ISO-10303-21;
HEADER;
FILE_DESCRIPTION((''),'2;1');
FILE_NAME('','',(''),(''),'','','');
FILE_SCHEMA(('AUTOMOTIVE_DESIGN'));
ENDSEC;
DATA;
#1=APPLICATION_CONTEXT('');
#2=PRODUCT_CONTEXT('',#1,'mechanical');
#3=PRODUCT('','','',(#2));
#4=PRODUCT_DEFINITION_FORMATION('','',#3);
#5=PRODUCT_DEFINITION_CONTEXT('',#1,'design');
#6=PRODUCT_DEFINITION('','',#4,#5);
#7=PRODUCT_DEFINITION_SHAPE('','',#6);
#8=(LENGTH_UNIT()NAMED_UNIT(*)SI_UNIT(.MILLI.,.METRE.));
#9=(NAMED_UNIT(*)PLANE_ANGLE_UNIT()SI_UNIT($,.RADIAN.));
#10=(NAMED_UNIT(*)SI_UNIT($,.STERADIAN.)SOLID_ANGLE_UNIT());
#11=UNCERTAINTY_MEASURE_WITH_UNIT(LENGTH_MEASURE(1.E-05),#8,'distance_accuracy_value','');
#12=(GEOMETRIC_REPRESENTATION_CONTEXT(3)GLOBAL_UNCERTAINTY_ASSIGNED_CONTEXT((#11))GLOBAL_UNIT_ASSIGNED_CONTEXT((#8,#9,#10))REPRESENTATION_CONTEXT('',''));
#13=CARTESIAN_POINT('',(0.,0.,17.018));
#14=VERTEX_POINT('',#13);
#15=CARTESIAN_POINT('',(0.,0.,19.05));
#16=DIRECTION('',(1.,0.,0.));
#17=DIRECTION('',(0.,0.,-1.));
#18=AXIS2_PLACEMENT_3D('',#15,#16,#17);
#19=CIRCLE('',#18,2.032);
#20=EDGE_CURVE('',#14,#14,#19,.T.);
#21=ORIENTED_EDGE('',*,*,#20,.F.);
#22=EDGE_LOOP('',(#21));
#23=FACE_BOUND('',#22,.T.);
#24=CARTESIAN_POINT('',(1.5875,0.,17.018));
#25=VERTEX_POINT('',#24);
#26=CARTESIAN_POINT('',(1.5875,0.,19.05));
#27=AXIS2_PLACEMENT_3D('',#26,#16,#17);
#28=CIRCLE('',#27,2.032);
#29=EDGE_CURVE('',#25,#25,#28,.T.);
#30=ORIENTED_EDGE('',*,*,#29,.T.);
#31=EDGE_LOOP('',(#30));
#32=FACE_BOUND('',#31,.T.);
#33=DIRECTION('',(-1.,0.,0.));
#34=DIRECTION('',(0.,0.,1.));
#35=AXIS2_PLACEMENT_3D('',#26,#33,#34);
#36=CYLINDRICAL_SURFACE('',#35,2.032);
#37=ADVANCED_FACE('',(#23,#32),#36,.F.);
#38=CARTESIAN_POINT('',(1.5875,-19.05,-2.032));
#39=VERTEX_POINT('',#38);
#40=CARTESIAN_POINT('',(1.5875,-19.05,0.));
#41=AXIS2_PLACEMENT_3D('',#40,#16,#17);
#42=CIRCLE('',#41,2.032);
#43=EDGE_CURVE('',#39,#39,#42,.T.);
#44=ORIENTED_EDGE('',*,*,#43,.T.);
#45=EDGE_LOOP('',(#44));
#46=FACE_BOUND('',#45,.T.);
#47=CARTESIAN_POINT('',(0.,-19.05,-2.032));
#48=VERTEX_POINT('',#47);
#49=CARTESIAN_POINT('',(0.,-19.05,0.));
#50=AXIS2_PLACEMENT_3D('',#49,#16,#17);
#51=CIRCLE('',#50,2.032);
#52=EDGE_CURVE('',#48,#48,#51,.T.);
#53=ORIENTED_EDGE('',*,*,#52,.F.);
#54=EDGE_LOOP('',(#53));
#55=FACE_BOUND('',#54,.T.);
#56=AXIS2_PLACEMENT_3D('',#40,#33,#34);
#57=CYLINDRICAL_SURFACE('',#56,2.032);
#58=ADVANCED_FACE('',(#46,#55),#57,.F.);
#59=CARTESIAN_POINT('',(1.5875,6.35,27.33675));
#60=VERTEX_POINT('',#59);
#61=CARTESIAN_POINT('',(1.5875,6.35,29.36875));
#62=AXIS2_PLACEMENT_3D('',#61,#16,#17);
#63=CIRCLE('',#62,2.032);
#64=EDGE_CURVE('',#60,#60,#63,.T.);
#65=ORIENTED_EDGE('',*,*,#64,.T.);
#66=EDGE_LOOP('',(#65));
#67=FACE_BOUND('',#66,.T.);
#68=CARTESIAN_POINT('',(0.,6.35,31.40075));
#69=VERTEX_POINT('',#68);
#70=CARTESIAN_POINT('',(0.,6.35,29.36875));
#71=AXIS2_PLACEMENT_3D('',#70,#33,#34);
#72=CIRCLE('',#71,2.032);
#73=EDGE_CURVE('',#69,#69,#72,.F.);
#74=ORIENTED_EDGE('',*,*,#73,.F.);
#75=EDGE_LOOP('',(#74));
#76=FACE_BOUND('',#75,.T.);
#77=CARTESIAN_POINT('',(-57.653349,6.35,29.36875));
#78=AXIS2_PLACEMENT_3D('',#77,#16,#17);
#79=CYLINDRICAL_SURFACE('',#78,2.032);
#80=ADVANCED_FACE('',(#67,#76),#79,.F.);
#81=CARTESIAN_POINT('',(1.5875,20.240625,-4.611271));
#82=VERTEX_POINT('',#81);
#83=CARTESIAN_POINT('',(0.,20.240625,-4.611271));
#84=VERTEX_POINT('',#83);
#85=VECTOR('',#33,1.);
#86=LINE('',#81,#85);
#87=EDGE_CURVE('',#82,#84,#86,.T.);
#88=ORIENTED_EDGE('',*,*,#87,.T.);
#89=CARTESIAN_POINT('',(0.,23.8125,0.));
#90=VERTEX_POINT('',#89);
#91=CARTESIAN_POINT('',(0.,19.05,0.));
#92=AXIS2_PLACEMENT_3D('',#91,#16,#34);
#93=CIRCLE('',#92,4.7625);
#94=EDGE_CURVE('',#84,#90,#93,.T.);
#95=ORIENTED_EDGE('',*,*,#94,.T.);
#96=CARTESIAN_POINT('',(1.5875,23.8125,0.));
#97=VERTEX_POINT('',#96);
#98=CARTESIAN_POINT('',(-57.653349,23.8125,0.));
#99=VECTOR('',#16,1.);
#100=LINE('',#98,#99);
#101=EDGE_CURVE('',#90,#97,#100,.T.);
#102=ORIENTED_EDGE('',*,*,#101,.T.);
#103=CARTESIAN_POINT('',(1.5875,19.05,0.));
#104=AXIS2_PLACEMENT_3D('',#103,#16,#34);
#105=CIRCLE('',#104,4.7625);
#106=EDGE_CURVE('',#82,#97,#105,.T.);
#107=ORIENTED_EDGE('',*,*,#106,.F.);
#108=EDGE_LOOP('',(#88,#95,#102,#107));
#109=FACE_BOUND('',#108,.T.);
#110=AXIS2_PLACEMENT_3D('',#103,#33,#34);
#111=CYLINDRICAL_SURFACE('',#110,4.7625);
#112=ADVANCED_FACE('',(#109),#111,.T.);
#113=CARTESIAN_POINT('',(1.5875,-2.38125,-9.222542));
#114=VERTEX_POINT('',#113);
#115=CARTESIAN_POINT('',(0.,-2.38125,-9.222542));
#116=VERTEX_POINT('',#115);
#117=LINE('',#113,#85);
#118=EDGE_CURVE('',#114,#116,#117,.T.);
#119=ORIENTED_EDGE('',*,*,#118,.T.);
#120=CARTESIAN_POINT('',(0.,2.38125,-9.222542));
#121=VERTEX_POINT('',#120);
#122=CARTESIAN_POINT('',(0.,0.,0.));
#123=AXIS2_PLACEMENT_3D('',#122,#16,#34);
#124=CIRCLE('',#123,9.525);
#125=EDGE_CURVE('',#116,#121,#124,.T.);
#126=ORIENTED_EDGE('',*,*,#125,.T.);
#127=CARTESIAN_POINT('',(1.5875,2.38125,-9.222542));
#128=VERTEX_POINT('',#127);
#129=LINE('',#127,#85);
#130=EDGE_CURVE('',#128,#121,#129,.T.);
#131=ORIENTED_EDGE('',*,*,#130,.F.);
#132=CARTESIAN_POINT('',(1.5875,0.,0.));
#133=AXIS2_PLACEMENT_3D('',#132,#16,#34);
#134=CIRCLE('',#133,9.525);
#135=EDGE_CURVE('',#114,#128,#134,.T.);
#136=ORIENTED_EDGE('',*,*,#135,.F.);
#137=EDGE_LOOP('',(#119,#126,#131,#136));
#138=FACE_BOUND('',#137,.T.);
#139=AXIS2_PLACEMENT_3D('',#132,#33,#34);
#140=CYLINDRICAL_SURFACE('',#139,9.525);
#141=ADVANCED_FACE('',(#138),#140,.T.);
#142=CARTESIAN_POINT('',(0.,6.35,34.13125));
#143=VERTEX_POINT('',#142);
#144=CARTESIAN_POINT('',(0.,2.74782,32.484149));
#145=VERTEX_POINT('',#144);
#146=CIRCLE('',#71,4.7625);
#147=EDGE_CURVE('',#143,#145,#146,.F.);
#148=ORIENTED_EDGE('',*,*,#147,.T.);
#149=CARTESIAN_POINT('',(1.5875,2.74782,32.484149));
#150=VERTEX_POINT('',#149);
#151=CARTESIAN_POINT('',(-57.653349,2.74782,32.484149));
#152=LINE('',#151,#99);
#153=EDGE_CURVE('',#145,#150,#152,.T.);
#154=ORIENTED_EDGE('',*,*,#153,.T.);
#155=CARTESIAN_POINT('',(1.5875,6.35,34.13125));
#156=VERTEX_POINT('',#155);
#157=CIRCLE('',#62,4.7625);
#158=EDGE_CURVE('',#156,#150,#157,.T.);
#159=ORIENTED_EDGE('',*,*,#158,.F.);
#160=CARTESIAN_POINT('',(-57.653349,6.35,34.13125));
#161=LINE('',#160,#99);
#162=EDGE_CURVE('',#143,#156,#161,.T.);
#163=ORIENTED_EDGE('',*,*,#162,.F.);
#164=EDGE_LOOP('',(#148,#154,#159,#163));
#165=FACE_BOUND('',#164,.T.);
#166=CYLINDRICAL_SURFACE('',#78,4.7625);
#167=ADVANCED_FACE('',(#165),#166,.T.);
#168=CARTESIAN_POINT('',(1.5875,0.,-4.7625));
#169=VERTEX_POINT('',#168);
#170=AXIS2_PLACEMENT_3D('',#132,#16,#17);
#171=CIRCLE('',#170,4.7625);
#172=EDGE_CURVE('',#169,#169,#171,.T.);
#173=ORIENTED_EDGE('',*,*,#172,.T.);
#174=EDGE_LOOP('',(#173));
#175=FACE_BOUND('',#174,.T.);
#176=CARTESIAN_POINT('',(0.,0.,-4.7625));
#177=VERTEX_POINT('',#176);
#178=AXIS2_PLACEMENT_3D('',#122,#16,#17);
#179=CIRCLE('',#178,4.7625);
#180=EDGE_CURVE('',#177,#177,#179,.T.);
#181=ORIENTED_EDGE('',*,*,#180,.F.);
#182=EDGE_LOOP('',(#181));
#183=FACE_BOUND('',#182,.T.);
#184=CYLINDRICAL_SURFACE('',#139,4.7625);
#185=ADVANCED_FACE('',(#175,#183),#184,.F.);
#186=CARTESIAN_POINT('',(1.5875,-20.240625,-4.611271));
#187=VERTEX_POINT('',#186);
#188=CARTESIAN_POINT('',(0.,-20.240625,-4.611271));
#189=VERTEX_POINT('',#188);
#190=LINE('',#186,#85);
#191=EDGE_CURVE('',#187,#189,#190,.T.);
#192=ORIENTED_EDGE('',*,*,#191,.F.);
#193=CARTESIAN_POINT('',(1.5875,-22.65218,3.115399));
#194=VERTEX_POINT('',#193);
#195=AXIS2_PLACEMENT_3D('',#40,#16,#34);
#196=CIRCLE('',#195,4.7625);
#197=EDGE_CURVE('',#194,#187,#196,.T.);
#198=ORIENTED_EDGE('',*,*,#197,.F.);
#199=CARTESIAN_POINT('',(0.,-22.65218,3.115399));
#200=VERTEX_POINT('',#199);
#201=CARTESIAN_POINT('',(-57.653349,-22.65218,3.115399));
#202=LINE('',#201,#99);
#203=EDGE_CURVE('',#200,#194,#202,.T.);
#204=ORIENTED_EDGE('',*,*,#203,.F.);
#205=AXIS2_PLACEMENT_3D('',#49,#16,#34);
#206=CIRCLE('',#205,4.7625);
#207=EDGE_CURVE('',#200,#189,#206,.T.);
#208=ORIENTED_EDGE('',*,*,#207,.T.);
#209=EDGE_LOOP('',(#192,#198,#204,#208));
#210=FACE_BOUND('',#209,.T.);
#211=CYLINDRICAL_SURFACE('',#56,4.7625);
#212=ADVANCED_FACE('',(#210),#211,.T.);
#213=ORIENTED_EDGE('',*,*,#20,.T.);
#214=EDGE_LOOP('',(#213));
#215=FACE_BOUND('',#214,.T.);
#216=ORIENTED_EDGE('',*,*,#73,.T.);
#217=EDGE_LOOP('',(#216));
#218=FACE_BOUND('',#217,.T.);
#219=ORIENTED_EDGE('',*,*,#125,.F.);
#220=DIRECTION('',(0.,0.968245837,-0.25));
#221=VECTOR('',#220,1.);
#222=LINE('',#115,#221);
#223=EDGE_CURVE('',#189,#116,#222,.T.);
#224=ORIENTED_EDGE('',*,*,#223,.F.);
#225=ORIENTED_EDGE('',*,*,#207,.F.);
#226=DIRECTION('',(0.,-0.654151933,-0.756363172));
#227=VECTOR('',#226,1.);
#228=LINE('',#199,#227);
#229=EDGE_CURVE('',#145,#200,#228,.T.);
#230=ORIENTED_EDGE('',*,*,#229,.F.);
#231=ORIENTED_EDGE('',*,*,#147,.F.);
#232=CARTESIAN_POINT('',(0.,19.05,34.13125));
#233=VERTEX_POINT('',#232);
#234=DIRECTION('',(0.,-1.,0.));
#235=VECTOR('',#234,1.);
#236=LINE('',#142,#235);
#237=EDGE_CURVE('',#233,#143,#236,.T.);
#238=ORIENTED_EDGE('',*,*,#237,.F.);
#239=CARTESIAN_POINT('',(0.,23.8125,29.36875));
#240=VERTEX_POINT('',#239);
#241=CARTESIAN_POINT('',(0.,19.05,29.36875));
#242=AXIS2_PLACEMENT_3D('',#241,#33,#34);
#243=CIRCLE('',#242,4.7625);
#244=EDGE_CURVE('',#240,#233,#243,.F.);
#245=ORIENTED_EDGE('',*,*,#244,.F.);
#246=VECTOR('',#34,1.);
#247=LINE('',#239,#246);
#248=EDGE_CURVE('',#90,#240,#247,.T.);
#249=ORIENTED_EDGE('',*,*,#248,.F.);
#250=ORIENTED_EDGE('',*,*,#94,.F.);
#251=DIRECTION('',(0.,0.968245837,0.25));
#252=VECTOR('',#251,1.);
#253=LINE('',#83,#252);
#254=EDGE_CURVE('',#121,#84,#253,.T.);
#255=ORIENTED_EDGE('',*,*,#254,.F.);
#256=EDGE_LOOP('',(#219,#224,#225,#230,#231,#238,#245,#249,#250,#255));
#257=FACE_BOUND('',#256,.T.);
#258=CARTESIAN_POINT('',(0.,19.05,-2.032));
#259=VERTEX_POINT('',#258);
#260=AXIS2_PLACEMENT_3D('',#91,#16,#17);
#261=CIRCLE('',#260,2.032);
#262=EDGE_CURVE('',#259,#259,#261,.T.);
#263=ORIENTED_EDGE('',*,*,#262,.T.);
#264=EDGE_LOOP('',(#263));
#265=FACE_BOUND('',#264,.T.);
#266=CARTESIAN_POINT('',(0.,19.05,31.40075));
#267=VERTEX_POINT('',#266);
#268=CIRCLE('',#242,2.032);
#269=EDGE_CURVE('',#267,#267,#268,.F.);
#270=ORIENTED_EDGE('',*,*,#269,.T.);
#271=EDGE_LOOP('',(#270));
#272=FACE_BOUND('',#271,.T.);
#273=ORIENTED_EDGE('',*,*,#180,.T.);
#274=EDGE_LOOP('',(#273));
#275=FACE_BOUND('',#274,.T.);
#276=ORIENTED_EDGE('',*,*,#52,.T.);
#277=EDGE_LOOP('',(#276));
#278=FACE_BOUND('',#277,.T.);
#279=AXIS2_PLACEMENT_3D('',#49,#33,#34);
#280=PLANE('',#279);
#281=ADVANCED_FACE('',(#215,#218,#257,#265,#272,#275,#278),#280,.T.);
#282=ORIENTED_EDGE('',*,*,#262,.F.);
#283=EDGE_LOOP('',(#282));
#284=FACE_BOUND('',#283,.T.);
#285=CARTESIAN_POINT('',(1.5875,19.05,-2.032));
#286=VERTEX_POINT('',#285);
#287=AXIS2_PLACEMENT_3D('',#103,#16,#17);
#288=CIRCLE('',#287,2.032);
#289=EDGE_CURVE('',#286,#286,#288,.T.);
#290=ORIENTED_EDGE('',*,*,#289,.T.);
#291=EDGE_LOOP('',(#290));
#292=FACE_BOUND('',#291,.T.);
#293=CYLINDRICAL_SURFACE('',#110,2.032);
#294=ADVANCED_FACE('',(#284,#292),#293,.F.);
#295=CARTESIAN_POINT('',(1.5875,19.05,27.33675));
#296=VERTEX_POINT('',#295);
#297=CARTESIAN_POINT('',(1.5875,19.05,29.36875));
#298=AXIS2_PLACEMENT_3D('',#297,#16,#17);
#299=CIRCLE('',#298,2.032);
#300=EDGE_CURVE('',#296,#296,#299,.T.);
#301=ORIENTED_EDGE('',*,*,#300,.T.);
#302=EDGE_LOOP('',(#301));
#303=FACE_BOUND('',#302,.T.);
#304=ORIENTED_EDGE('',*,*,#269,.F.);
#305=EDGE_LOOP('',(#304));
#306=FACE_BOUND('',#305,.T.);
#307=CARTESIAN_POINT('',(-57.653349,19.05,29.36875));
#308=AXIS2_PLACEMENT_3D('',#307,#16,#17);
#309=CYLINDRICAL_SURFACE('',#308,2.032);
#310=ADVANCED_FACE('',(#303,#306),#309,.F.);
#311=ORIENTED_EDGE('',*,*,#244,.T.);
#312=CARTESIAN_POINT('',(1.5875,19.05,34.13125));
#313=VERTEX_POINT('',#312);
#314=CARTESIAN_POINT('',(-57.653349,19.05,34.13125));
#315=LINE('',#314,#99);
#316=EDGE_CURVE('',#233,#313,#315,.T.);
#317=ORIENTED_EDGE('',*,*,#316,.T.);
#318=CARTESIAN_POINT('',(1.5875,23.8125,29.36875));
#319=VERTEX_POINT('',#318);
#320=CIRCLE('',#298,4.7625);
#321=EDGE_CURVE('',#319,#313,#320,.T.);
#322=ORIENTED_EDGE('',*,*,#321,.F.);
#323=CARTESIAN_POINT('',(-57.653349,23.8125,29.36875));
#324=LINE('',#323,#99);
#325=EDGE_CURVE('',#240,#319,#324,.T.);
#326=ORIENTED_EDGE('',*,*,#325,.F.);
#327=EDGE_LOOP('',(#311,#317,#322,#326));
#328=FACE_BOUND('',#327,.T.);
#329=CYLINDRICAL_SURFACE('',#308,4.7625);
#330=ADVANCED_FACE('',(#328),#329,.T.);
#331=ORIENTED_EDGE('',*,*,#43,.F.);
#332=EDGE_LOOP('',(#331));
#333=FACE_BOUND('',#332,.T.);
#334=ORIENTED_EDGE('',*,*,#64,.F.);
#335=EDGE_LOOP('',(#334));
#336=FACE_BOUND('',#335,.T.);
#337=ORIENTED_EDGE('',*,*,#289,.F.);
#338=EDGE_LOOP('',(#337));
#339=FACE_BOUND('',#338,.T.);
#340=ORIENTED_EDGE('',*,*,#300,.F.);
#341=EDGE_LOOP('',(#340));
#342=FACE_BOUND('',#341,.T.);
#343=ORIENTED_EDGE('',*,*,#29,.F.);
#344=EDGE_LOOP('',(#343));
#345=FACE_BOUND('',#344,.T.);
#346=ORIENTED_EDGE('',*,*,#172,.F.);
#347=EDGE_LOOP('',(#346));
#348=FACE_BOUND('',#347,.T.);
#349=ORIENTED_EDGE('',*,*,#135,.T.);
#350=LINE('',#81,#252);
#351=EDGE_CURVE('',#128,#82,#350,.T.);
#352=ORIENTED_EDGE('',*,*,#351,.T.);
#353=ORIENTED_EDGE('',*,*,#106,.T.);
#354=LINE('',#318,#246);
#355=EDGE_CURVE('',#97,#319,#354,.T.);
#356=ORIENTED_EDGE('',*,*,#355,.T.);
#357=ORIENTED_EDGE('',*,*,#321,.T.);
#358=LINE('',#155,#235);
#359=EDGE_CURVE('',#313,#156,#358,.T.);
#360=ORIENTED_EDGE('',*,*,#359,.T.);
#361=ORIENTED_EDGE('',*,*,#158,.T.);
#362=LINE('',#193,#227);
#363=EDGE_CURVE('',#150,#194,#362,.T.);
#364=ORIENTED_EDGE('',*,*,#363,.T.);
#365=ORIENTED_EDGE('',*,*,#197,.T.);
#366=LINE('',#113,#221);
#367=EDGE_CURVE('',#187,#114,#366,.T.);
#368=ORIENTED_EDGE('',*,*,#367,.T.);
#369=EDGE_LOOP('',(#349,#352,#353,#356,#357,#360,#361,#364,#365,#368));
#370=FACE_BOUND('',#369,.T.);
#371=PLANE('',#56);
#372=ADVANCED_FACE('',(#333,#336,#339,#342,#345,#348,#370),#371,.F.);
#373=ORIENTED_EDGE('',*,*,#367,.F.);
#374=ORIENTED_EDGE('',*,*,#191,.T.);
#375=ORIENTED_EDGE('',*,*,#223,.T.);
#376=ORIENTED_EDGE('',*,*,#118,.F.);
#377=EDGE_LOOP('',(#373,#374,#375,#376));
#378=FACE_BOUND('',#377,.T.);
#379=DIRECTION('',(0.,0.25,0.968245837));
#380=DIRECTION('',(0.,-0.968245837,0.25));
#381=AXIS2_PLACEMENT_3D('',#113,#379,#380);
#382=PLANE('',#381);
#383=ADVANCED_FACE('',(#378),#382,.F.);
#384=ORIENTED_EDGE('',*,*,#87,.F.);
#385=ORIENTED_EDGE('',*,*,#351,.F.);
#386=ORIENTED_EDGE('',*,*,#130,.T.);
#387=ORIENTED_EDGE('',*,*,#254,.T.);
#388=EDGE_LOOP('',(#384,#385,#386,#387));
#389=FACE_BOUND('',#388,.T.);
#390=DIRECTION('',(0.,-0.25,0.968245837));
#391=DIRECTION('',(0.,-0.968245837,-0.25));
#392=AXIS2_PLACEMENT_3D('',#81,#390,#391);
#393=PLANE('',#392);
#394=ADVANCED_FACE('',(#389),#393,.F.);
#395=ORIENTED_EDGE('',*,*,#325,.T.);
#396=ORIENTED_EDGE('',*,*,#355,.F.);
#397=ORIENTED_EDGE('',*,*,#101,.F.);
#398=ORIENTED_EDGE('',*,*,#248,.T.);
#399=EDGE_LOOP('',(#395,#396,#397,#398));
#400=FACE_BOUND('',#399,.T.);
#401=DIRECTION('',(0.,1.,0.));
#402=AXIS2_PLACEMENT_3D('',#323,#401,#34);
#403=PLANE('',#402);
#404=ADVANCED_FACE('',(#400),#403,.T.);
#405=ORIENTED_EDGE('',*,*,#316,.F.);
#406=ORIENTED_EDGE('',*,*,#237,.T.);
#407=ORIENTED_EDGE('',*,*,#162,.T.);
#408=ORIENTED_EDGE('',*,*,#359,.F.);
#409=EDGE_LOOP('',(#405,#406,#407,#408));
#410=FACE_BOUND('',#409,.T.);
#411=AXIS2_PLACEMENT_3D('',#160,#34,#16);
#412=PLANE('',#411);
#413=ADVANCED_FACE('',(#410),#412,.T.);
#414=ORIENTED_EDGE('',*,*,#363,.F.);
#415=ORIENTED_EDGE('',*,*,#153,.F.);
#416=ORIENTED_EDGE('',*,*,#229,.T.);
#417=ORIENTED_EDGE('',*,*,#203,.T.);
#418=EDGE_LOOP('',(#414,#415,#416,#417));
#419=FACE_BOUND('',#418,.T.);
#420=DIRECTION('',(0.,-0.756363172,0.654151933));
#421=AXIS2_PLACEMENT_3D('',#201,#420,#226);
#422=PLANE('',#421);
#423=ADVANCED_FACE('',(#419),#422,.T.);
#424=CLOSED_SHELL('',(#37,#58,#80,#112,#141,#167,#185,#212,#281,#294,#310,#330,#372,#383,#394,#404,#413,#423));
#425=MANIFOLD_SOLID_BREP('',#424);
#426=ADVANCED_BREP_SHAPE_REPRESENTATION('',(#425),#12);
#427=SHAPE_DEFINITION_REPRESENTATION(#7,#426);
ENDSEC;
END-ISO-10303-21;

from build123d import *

# Parameters (mm, degrees)
SKETCH1_R           = 4.7625
SKETCH1_R_2         = 2.032
BOSS_EXTRUDE1_DEPTH = 1.5875
BOSS_EXTRUDE2_START = -1.5875
SKETCH2_R           = 2.032
BOSS_EXTRUDE2_DEPTH = 1.5875


with BuildPart() as part:
    # Sketch1 → Boss-Extrude1 (new body)
    with BuildSketch(Plane(origin=(0, 0, 0), x_dir=(0, 0, -1), z_dir=(1, 0, 0))):
        with BuildLine():
            Line((-3.367596045, 22.417596045), (-22.417596045, 3.367596045))
            ThreePointArc((-22.417596045, 3.367596045), (-23.8125, 0), (-22.417596045, -3.367596045))
            Line((-22.417596045, -3.367596045), (-3.367596045, -22.417596045))
            ThreePointArc((-3.367596045, -22.417596045), (1.253587833, -23.64455371), (4.611270797, -20.240625))
            Line((4.611270797, -20.240625), (9.222541593, -2.38125))
            ThreePointArc((9.222541593, -2.38125), (9.525, 0), (9.222541593, 2.38125))
            Line((9.222541593, 2.38125), (4.611270797, 20.240625))
            ThreePointArc((4.611270797, 20.240625), (1.253587833, 23.64455371), (-3.367596045, 22.417596045))
        make_face()
        Circle(SKETCH1_R, mode=Mode.SUBTRACT)
        with Locations((0, 19.05)):
            Circle(SKETCH1_R_2, mode=Mode.SUBTRACT)
        with Locations((-19.05, 0)):
            Circle(SKETCH1_R_2, mode=Mode.SUBTRACT)
        with Locations((0, -19.05)):
            Circle(SKETCH1_R_2, mode=Mode.SUBTRACT)
    extrude(amount=BOSS_EXTRUDE1_DEPTH)

    # Sketch2 → Boss-Extrude2 (add)
    with BuildSketch(Plane(origin=(1.5875, 0, 0), x_dir=(0, 0, -1), z_dir=(1, 0, 0)).offset(BOSS_EXTRUDE2_START)):
        with BuildLine():
            Line((-3.115398581, -22.652179609), (-32.484148581, 2.747820391))
            ThreePointArc((-32.484148581, 2.747820391), (-33.699944523, 4.369555541), (-34.13125, 6.35))
            Line((-34.13125, 6.35), (-34.13125, 19.05))
            ThreePointArc((-34.13125, 19.05), (-32.736346045, 22.417596045), (-29.36875, 23.8125))
            Line((-29.36875, 23.8125), (0, 23.8125))
            ThreePointArc((0, 23.8125), (-1.822529847, 23.449976274), (-3.367596045, 22.417596045))
            Line((-3.367596045, 22.417596045), (-22.417596045, 3.367596045))
            ThreePointArc((-22.417596045, 3.367596045), (-23.8125, 0), (-22.417596045, -3.367596045))
            Line((-22.417596045, -3.367596045), (-3.367596045, -22.417596045))
            ThreePointArc((-3.367596045, -22.417596045), (-3.243618688, -22.537168487), (-3.115398581, -22.652179609))
        make_face()
        with Locations((-29.36875, 6.35)):
            Circle(SKETCH2_R, mode=Mode.SUBTRACT)
        with Locations((-29.36875, 19.05)):
            Circle(SKETCH2_R, mode=Mode.SUBTRACT)
    extrude(amount=BOSS_EXTRUDE2_DEPTH)


solid = part.part
